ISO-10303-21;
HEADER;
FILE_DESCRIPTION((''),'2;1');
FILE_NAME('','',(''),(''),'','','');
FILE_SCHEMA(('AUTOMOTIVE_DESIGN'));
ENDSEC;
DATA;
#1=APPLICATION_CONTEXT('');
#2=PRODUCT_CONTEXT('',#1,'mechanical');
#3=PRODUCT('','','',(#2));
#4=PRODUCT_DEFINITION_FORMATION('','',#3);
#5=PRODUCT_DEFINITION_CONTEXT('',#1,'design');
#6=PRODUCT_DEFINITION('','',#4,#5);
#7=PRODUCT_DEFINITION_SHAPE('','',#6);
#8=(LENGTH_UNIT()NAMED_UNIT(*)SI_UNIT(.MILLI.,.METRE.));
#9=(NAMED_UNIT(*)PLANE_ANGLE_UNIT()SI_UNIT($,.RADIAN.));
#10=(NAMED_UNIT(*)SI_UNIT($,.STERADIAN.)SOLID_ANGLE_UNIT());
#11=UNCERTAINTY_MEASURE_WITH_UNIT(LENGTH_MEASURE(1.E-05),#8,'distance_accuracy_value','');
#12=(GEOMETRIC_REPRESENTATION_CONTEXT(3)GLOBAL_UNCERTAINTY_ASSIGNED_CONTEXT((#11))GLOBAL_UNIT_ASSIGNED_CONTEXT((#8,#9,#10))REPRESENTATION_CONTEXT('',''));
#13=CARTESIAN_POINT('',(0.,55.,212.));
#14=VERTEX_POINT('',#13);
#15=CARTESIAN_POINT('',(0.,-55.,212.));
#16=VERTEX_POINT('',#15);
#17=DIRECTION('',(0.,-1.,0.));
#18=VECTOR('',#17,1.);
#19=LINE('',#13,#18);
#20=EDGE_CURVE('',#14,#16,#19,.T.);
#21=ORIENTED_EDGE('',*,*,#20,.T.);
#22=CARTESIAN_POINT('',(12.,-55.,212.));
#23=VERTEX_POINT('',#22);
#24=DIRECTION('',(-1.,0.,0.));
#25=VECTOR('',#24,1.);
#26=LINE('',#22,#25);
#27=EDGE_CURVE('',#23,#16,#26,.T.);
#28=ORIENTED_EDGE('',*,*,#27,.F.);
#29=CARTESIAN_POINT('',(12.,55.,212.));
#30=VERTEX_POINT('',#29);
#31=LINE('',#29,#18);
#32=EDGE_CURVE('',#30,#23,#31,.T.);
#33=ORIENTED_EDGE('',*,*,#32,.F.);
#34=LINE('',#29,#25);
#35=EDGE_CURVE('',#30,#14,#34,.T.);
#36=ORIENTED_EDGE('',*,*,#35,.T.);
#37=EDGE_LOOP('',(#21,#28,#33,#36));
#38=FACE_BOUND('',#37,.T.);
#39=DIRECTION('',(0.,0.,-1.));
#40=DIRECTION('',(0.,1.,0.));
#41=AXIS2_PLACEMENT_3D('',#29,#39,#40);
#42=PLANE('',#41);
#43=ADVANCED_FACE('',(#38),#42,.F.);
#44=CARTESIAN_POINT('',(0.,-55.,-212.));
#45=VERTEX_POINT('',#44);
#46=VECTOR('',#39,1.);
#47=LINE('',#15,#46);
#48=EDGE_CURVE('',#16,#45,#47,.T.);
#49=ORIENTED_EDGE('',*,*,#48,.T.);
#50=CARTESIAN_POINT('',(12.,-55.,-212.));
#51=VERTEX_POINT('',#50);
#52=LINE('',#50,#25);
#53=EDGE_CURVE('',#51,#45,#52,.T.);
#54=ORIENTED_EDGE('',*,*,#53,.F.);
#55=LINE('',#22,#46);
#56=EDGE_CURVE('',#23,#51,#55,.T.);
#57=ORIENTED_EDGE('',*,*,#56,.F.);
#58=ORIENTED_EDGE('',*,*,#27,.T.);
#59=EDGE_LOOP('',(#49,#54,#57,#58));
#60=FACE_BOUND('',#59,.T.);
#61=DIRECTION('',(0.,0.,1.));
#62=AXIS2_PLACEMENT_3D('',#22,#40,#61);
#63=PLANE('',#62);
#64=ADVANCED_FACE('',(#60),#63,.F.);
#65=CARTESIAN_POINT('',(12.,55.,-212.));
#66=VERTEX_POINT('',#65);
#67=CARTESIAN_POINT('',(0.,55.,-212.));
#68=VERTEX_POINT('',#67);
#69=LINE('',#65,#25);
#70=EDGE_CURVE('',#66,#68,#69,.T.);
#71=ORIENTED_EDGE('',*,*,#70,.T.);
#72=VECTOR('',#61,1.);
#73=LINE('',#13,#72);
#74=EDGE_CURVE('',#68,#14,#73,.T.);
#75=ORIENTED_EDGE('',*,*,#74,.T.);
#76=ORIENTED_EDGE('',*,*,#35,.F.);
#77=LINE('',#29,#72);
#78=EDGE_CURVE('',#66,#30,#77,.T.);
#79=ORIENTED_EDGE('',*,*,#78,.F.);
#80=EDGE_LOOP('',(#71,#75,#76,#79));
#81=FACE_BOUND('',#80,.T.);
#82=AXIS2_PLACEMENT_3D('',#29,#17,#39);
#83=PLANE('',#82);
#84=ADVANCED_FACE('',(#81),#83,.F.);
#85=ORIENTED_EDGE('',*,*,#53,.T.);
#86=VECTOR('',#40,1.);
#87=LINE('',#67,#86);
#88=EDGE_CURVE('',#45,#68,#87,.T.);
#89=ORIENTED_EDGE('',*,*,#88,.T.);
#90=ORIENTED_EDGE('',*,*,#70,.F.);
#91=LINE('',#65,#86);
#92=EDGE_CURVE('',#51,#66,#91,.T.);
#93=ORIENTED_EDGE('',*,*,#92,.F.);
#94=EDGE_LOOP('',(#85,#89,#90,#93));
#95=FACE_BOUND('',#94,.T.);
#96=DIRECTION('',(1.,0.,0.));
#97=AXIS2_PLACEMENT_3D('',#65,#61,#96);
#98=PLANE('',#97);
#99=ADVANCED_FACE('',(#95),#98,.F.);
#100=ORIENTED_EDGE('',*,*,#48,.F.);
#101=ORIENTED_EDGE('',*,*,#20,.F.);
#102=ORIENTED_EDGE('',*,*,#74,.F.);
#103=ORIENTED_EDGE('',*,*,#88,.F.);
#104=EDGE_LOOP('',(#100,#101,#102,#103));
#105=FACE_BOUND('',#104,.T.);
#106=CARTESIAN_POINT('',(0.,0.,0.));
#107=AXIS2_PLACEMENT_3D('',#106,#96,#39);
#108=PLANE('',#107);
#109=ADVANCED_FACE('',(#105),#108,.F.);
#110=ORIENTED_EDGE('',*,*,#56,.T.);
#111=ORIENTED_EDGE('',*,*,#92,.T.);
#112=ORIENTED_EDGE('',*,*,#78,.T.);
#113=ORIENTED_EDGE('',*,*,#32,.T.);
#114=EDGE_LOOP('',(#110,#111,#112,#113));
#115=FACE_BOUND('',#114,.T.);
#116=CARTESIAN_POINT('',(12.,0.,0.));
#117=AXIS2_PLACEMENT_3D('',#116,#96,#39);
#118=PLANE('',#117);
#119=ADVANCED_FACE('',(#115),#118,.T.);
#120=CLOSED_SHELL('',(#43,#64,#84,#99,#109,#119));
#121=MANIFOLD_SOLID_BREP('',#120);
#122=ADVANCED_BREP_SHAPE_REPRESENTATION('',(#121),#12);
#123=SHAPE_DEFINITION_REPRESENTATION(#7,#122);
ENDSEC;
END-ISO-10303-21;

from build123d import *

# Parameters (mm, degrees)
SKETCH_1_W      = 424
SKETCH_1_H      = 110
EXTRUDE_1_DEPTH = 12


with BuildPart() as part:
    # 草图1 → 凸台-拉伸1 (new body)
    with BuildSketch(Plane(origin=(0, 0, 0), x_dir=(0, 0, -1), z_dir=(1, 0, 0))):
        Rectangle(SKETCH_1_W, SKETCH_1_H)
    extrude(amount=EXTRUDE_1_DEPTH)


solid = part.part
